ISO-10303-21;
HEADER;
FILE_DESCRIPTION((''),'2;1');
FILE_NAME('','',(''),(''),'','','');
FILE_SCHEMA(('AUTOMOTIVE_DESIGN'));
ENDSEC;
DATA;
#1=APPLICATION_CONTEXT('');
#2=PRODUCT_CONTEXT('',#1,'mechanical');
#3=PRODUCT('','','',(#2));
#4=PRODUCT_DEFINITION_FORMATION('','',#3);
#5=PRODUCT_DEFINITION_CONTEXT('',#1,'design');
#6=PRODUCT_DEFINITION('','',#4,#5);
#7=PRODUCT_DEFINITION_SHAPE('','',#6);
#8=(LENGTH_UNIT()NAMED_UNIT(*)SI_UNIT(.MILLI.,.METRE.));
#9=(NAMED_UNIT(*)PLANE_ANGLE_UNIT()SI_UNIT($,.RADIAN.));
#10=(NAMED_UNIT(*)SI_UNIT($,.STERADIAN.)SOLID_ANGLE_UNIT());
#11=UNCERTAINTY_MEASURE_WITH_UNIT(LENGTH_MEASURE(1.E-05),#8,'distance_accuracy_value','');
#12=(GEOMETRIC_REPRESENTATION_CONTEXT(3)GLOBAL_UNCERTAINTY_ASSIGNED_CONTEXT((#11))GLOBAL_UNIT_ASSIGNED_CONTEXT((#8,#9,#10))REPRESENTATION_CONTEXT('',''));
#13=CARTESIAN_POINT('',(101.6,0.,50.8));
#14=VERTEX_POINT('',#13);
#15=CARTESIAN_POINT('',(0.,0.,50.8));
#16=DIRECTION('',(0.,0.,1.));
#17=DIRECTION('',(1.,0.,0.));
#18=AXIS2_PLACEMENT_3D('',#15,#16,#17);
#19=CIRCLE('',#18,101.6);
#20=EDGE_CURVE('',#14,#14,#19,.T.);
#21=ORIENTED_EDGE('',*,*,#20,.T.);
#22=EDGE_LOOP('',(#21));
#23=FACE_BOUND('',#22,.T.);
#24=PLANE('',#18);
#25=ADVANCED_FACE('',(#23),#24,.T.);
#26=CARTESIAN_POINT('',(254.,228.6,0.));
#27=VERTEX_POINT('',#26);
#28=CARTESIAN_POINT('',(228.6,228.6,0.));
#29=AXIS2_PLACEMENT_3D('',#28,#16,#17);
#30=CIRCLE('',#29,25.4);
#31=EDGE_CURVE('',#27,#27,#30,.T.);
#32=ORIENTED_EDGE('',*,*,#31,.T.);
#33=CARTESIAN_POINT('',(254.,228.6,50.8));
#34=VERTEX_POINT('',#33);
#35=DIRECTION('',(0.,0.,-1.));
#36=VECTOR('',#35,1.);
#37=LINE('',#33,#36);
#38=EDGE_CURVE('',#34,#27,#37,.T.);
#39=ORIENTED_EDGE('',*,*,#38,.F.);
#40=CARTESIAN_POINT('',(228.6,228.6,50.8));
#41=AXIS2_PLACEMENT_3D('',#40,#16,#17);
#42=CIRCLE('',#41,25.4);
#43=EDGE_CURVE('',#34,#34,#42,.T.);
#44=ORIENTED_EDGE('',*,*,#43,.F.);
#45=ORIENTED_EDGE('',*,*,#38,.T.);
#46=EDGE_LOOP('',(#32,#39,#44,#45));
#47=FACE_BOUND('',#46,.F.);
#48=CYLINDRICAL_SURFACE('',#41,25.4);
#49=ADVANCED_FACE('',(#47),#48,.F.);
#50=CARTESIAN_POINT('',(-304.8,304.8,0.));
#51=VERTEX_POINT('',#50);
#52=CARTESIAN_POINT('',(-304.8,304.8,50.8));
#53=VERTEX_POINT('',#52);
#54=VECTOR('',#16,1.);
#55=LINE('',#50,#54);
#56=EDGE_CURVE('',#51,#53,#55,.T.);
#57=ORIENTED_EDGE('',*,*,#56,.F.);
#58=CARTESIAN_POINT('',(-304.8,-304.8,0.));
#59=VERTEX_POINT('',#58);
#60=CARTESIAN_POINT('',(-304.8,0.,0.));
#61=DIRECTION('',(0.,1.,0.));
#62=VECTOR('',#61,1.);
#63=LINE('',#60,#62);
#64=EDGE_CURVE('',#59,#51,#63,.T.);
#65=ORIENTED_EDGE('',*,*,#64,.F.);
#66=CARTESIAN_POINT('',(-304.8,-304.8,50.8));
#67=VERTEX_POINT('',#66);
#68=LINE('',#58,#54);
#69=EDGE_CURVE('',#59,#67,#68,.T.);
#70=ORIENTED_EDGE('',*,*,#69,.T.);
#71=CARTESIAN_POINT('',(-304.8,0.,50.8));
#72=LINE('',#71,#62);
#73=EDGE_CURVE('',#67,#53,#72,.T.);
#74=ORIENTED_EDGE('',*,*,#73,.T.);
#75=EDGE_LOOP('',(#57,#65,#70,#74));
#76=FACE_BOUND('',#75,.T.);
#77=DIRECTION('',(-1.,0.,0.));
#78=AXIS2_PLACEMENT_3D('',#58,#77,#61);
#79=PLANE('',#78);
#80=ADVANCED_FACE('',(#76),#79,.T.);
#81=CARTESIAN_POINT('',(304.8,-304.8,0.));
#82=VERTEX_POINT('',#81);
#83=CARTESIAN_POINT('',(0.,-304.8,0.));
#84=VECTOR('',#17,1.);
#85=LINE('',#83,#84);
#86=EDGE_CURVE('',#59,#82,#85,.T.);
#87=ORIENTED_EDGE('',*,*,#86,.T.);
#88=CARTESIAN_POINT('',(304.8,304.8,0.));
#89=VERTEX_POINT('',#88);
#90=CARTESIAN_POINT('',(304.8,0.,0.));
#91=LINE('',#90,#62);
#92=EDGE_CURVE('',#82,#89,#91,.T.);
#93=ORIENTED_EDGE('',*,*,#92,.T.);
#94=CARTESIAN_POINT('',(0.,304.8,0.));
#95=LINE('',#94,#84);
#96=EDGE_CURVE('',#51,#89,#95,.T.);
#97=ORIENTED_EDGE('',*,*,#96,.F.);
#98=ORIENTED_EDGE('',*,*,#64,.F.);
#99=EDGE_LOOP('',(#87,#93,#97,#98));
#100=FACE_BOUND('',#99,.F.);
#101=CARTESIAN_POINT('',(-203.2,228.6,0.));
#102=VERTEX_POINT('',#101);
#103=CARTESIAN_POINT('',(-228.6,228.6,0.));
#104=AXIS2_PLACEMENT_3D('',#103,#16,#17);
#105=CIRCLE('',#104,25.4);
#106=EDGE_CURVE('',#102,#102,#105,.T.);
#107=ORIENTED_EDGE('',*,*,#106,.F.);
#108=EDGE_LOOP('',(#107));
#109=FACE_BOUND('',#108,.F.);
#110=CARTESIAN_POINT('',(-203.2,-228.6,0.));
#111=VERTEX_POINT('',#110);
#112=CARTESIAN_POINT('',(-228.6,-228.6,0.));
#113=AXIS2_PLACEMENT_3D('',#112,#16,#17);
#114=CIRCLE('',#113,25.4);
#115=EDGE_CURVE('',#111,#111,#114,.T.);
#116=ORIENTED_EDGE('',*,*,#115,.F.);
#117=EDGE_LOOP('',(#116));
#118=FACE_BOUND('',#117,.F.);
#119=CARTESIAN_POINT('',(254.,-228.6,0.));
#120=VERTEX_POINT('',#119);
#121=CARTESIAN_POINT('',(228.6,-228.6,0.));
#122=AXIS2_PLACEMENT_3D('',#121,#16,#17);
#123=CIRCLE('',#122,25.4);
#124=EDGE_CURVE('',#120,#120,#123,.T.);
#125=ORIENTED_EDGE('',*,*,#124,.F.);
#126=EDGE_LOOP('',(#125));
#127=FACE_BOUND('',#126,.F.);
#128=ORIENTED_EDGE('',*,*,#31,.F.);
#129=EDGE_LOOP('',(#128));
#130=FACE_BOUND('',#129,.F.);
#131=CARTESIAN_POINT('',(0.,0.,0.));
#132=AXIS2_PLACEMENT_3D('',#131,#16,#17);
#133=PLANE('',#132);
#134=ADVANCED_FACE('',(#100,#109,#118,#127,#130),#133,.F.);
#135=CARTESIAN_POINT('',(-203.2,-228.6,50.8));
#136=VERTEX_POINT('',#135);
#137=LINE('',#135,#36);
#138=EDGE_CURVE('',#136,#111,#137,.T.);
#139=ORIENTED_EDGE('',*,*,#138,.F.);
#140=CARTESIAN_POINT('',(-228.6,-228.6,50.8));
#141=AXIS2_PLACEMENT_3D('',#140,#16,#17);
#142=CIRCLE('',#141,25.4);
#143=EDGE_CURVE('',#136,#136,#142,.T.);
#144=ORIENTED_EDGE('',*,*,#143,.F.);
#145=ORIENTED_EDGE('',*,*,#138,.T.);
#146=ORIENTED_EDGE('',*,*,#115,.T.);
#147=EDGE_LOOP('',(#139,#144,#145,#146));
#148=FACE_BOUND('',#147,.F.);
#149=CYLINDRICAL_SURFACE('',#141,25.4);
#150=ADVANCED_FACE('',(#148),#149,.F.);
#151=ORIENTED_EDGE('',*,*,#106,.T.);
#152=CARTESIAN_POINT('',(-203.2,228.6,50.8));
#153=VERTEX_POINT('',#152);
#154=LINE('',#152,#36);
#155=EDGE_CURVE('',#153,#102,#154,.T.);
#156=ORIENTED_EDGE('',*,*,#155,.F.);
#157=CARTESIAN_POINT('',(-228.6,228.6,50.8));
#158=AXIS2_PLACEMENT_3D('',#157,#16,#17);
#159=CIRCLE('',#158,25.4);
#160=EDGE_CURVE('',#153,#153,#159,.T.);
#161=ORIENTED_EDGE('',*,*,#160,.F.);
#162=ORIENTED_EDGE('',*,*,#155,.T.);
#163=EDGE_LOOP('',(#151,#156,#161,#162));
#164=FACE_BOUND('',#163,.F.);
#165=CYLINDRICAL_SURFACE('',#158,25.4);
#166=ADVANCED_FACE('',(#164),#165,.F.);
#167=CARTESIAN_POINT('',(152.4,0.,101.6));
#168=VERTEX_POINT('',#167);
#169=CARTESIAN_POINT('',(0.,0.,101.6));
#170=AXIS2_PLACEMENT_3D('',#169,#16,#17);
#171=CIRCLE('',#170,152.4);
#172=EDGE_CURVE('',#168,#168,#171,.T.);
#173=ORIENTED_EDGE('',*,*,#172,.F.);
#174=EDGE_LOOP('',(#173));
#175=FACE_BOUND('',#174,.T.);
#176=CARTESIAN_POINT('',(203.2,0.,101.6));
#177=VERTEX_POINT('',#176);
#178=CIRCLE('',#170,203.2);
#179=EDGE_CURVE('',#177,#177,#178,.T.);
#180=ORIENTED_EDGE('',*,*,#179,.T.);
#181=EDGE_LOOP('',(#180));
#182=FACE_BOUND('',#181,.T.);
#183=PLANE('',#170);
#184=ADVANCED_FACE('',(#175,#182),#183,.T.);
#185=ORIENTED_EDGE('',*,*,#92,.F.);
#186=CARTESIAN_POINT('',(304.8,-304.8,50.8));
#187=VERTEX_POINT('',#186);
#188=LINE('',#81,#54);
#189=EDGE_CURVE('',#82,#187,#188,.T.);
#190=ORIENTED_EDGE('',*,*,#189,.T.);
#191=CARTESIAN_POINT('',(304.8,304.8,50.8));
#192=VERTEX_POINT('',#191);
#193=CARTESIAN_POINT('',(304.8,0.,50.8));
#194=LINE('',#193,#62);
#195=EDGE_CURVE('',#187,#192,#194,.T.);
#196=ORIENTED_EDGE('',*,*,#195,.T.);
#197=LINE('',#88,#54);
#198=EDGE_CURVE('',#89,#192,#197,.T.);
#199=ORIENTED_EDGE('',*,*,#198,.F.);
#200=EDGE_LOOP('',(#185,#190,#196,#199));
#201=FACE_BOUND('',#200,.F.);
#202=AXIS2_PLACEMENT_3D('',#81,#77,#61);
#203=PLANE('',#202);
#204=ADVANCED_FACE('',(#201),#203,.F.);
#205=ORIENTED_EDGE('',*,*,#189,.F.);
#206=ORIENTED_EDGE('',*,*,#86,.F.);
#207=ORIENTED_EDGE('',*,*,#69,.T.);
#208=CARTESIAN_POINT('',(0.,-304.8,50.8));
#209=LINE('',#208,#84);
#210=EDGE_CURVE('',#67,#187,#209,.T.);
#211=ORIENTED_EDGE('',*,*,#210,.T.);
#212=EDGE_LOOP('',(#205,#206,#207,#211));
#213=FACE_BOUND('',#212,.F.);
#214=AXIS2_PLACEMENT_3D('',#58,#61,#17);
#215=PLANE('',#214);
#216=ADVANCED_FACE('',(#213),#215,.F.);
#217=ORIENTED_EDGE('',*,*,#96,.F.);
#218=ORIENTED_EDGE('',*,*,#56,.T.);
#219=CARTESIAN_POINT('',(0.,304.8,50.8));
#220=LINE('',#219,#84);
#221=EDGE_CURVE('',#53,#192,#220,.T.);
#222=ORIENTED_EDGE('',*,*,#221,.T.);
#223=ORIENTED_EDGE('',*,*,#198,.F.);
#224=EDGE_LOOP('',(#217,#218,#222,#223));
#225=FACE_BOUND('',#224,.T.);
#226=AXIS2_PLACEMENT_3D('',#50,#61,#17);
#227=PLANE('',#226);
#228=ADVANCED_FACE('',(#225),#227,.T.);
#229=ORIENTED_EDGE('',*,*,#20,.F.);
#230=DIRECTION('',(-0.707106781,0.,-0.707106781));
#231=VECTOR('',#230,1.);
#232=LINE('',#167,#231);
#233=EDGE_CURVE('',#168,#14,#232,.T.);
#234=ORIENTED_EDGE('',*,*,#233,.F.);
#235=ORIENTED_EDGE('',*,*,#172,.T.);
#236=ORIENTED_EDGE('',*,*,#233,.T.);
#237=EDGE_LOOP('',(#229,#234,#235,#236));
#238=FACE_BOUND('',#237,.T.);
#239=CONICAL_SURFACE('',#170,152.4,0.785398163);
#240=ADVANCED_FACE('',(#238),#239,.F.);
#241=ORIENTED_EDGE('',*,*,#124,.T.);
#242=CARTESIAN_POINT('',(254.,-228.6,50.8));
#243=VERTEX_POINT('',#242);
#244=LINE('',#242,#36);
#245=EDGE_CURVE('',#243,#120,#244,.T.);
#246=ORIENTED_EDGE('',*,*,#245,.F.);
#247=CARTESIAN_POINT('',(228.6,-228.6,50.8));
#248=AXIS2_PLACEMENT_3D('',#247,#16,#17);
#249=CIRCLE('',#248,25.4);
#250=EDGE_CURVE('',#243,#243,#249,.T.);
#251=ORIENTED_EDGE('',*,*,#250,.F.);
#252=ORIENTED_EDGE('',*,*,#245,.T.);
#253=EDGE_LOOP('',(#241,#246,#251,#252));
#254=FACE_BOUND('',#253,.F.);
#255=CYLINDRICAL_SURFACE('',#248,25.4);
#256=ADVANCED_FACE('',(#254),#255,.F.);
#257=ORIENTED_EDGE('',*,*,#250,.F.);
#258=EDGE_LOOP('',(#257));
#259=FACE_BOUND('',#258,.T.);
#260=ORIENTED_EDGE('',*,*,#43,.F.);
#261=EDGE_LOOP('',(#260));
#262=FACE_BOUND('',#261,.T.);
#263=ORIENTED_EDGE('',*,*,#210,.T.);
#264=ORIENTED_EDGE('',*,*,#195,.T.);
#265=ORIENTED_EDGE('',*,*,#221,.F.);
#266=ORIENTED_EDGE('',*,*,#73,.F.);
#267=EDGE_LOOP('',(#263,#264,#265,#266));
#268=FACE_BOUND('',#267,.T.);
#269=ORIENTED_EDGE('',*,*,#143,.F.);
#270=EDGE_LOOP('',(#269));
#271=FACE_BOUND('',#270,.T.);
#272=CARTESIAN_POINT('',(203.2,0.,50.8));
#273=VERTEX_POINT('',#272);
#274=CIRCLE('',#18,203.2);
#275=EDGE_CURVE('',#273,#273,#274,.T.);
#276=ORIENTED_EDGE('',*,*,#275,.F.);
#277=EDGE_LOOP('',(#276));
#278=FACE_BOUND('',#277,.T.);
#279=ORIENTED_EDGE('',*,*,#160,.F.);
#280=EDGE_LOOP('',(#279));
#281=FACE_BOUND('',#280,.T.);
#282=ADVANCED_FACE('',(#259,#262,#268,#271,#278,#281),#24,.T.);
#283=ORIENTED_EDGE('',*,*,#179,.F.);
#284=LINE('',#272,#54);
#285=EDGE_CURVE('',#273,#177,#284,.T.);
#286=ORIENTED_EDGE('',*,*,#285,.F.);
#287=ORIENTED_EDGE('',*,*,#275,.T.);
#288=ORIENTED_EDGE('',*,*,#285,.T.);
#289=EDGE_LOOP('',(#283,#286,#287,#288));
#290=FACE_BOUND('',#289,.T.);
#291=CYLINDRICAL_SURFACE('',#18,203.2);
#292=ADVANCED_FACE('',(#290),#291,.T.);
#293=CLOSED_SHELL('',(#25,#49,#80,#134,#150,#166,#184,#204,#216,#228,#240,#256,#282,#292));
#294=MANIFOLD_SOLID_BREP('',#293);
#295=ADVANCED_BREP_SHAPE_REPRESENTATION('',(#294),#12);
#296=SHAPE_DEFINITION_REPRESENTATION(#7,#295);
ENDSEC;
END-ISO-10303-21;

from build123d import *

# Parameters (mm, degrees)
F0_W     = 609.6
F0_H     = 609.6
F1_DEPTH = 50.8
F4_R     = 25.4
F5_DEPTH = 50.801


with BuildPart() as f1:
    # F0 (on Top) → F1 (new body)
    with BuildSketch(Plane.XY):
        Rectangle(F0_W, F0_H)
    extrude(amount=F1_DEPTH)

    # F2 (on Front) → F3 (revolve)
    with BuildSketch(Plane.XZ):
        Polygon((152.4, 101.6), (101.6, 50.8), (203.2, 50.8), (203.2, 101.6), align=None)
    revolve(axis=Axis((0, 0, 25.4), (0, 0, 1)))

    # F4 (on face) → F5 (cut, through all)
    with BuildSketch(Plane.XY.offset(50.8)):
        with Locations((-228.6, 228.6)):
            Circle(F4_R)
        with Locations((228.6, 228.6)):
            Circle(F4_R)
        with Locations((228.6, -228.6)):
            Circle(F4_R)
        with Locations((-228.6, -228.6)):
            Circle(F4_R)
    extrude(amount=-F5_DEPTH, mode=Mode.SUBTRACT)


solid = f1.part
